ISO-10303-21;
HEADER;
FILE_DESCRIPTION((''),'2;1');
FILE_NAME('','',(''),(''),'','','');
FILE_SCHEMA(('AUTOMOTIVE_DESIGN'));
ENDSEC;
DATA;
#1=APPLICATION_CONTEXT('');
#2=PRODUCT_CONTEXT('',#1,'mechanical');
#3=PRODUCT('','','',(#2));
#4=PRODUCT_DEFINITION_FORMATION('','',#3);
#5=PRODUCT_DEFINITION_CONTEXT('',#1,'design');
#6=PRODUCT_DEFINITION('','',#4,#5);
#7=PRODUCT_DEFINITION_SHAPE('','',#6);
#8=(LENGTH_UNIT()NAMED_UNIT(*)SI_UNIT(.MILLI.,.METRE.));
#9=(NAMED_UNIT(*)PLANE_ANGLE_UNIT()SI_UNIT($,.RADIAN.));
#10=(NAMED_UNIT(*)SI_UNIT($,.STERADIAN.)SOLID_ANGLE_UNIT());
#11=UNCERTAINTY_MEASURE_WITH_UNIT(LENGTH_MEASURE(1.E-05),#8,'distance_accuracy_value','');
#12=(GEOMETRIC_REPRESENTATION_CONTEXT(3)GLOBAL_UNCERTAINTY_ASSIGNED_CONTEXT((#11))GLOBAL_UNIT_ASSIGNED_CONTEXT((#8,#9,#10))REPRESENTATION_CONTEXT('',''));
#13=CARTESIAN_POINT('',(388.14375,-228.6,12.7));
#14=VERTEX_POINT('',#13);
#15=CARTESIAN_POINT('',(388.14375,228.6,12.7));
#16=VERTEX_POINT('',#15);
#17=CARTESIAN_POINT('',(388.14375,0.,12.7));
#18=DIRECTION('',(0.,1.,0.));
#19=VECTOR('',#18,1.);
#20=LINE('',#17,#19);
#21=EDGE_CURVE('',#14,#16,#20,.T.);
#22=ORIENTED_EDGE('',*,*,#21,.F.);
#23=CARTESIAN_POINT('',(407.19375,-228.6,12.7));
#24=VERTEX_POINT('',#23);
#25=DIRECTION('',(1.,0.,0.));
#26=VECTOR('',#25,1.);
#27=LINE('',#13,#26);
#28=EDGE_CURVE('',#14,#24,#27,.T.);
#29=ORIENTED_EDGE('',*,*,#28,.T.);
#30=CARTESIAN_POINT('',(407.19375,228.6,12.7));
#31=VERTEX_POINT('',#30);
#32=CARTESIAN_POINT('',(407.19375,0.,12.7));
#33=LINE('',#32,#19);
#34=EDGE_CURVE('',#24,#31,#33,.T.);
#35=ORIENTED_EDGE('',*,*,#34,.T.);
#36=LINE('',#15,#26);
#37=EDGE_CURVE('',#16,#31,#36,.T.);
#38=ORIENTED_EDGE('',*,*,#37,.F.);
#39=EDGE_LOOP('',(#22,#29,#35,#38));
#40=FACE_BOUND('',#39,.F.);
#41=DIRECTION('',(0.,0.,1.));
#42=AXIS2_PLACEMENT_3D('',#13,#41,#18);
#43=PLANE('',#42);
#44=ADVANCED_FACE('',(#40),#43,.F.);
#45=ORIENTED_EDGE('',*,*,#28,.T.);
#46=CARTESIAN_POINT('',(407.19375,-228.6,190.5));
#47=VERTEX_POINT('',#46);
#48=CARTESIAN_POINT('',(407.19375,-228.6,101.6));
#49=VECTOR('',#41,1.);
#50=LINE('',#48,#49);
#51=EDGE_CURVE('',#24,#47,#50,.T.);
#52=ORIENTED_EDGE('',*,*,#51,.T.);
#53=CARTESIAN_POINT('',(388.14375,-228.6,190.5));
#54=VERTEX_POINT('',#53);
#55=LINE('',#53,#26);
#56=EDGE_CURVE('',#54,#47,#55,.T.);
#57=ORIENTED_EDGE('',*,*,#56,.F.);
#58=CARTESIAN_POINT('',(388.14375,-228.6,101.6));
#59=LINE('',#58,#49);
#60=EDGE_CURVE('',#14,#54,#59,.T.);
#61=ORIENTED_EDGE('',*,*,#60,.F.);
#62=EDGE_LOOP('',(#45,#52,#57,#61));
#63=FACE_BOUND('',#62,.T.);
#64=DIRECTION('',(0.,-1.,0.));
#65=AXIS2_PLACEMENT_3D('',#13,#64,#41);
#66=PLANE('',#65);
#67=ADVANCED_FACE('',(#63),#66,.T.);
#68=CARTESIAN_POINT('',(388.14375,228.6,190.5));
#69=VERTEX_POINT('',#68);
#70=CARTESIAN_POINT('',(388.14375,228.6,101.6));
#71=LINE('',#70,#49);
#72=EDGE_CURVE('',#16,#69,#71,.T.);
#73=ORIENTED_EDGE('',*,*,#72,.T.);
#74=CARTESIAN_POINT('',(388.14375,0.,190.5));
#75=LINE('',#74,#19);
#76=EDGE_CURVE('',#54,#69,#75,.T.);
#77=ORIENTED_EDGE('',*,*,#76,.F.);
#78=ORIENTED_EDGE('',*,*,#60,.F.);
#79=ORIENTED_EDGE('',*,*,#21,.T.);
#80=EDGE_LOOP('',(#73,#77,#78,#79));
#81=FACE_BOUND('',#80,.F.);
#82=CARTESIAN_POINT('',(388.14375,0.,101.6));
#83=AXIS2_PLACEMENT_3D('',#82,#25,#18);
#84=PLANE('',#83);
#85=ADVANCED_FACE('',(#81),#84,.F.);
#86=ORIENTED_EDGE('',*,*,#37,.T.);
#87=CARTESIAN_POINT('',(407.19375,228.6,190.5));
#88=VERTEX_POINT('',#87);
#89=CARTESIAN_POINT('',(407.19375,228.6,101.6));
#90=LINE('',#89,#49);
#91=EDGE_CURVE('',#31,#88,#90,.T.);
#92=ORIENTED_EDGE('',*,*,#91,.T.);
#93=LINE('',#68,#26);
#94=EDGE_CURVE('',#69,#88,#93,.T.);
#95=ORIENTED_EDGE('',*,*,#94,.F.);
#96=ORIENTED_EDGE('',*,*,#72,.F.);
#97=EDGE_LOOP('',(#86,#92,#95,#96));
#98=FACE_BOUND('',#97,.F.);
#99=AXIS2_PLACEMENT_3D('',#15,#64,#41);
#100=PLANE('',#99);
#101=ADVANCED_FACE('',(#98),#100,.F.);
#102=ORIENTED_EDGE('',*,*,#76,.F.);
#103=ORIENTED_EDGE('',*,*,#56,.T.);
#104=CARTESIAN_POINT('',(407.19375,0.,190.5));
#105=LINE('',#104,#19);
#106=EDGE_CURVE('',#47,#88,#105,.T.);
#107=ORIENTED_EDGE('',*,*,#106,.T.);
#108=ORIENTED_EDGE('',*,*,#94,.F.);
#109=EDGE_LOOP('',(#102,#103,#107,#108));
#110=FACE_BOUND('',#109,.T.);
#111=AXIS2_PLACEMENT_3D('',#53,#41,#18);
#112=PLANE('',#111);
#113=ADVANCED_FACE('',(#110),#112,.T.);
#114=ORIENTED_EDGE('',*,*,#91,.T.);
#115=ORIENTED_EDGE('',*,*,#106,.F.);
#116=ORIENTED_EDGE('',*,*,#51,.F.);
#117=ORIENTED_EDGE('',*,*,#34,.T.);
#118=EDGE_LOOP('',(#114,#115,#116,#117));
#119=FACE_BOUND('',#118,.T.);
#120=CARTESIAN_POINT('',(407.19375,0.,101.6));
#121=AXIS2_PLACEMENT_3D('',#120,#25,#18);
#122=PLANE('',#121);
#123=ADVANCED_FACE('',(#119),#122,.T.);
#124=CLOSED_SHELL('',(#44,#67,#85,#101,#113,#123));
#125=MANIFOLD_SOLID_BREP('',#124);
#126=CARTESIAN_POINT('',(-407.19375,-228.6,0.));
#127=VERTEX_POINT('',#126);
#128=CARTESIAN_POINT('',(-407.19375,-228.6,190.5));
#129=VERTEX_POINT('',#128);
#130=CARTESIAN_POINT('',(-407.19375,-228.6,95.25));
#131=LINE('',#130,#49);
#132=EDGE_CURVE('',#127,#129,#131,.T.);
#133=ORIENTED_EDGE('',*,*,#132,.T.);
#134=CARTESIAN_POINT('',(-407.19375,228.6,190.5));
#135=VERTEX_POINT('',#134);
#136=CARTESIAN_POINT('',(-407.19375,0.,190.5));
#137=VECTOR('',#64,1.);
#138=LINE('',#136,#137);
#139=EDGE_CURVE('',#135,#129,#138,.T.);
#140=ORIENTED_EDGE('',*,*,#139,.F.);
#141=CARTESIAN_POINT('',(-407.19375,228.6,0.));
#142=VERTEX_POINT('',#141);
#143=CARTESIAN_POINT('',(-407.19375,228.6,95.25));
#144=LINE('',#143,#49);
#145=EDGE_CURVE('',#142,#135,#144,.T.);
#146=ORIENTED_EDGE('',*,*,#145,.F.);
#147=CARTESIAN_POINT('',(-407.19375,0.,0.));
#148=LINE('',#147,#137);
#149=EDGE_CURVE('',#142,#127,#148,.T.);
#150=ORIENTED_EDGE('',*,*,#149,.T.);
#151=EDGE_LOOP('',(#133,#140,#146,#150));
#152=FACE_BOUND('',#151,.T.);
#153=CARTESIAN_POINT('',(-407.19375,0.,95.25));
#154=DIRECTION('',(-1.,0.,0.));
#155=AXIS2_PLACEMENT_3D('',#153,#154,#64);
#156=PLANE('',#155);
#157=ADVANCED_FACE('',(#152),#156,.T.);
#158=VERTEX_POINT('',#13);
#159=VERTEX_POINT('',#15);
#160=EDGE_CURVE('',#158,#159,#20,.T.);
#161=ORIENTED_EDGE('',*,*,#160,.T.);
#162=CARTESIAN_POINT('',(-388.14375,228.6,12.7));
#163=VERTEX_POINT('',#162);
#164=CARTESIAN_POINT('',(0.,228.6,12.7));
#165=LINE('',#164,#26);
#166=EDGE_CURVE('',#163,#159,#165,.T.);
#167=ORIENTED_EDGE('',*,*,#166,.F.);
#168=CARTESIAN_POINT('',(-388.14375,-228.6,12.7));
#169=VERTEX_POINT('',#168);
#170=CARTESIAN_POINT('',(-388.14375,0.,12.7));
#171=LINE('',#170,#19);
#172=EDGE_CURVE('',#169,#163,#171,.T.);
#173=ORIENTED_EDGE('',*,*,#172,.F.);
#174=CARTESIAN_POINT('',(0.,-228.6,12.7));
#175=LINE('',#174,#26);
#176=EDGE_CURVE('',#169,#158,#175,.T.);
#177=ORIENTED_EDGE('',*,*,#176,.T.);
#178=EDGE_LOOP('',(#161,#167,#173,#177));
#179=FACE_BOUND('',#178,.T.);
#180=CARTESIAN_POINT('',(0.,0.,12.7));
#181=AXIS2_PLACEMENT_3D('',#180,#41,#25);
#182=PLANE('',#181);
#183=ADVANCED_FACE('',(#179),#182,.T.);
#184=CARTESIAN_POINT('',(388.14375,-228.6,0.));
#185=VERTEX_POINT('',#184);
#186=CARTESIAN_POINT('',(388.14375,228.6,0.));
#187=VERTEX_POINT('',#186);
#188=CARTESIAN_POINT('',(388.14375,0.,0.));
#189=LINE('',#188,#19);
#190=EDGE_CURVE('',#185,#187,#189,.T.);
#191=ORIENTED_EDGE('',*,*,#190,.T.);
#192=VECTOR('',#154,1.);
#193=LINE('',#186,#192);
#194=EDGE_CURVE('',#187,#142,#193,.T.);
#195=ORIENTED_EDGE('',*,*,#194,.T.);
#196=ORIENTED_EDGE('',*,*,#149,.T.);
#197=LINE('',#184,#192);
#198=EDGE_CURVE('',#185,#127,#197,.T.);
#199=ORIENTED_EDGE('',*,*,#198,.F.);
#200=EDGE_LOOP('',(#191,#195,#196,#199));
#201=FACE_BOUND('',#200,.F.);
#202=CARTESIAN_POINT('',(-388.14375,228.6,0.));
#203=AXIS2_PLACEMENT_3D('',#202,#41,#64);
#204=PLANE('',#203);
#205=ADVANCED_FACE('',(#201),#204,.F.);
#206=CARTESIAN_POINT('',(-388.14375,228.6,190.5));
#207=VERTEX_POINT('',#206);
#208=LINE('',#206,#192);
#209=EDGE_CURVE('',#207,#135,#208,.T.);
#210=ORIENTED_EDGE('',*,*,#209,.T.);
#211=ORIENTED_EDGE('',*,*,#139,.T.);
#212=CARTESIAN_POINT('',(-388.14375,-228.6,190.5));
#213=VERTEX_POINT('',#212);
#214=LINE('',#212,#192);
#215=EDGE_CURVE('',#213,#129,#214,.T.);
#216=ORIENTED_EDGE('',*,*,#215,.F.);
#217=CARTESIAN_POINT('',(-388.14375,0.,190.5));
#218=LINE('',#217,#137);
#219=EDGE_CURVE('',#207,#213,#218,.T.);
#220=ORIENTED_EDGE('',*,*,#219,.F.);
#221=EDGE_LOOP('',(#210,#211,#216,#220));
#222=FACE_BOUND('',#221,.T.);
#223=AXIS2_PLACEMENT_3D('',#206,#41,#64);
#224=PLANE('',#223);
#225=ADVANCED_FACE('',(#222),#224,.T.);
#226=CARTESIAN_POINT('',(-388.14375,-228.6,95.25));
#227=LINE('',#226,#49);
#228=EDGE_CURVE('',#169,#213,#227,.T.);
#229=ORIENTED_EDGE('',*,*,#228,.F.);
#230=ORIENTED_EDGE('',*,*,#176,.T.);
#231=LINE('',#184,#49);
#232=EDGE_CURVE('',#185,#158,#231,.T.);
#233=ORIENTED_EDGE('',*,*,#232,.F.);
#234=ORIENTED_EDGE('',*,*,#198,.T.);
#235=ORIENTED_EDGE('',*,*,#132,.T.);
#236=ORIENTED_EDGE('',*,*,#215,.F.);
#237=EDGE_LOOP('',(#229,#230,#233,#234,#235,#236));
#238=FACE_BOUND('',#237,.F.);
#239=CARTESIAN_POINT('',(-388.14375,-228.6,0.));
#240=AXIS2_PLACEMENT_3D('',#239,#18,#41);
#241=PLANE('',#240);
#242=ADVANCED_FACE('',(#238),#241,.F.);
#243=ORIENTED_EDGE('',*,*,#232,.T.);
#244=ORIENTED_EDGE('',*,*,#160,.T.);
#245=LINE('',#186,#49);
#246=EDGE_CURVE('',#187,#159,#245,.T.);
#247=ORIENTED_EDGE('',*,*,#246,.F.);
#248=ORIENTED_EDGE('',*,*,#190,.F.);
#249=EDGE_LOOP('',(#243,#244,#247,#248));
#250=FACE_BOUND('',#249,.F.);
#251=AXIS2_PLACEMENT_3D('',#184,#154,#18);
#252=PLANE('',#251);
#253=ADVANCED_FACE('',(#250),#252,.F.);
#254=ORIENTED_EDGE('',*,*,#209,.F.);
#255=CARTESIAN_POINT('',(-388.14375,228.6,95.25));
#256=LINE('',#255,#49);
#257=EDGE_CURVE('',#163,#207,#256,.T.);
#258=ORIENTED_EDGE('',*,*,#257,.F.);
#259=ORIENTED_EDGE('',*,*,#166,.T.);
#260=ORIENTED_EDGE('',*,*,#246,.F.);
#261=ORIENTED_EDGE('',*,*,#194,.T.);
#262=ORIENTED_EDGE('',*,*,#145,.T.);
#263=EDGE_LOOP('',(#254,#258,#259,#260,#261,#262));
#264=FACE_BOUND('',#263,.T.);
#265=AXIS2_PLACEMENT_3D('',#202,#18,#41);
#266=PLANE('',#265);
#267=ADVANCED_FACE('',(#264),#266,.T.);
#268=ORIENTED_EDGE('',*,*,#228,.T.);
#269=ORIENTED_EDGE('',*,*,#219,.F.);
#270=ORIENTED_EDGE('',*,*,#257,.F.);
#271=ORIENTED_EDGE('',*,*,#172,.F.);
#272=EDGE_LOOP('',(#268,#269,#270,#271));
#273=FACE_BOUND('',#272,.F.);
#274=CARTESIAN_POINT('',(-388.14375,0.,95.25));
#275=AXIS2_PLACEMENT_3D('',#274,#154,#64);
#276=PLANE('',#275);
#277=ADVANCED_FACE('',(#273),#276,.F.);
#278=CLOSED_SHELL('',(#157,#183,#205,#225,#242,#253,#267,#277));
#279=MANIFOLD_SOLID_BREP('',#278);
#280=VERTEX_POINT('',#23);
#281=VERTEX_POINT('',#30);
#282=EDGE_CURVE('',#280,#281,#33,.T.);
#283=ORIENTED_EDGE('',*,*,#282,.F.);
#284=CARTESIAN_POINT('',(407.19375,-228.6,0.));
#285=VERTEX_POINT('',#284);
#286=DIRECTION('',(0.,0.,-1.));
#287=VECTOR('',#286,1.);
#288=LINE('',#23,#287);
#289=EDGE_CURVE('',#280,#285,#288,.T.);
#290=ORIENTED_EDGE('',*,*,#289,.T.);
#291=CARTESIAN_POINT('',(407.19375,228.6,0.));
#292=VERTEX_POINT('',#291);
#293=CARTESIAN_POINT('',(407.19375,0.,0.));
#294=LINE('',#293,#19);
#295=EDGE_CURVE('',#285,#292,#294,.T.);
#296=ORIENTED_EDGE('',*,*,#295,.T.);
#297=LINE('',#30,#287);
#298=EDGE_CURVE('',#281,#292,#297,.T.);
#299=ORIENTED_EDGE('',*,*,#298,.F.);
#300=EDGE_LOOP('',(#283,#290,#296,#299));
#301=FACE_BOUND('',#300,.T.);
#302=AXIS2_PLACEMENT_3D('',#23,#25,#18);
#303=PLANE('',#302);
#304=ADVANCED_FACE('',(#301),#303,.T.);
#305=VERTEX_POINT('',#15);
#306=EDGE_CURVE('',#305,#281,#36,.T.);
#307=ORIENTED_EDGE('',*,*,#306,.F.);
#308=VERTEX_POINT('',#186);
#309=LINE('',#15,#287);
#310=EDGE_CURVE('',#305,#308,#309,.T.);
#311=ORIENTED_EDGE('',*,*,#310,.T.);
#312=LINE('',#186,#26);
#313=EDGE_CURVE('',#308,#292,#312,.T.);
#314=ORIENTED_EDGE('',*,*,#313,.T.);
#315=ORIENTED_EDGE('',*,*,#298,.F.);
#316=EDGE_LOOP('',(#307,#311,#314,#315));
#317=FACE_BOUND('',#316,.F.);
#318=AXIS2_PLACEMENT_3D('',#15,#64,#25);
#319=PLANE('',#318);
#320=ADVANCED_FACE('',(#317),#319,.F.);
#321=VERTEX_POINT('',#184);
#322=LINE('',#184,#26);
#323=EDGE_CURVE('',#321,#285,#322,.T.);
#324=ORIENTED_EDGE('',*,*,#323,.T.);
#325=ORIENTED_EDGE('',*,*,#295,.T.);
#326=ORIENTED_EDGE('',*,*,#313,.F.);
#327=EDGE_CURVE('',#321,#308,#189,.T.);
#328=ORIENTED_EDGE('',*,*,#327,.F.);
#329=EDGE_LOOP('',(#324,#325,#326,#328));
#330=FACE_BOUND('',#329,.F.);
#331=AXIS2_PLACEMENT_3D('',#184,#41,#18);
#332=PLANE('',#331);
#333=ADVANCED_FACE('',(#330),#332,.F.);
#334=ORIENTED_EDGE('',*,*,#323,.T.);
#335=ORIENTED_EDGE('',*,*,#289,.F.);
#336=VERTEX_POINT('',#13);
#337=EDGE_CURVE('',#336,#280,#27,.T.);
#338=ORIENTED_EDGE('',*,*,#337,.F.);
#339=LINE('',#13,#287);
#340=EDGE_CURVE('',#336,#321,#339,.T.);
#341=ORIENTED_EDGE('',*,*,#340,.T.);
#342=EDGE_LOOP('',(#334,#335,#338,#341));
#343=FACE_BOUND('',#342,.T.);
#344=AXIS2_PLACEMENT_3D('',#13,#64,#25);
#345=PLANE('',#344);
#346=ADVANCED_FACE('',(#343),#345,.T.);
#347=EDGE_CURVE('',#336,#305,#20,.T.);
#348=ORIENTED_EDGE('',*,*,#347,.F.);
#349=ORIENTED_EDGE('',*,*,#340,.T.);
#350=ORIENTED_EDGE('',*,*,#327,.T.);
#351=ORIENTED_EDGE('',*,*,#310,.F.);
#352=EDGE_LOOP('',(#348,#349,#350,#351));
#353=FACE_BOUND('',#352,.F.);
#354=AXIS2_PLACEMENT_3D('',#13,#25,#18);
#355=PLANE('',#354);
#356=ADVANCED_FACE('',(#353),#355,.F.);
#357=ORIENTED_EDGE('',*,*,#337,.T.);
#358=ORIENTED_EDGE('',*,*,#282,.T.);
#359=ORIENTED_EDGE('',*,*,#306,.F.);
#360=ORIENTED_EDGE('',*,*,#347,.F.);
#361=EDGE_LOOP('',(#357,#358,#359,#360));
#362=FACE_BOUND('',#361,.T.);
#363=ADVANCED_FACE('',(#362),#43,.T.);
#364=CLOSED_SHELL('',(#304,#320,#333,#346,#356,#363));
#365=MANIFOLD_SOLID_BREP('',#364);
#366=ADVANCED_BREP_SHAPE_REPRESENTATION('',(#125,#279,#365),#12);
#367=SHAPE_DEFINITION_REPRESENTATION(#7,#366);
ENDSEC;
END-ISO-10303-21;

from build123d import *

# Parameters (mm, degrees)
F0_W     = 776.2875
F0_H     = 457.2
F1_DEPTH = 12.7
F2_W     = 457.2
F2_H     = 177.8
F3_DEPTH = 19.05
F4_DEPTH = 12.7
F5_W     = 457.2
F5_H     = 190.5
F6_DEPTH = 19.05


with BuildPart() as f1:
    # F0 (on Top) → F1 (new body)
    with BuildSketch(Plane.XY):
        Rectangle(F0_W, F0_H)
    extrude(amount=F1_DEPTH)

    # F5 (on face) → F6 (join)
    with BuildSketch(Plane(origin=(-388.14375, 0, 0), x_dir=(0, -1, 0), z_dir=(-1, 0, 0))):
        with Locations((0, 95.25)):
            Rectangle(F5_W, F5_H)
    extrude(amount=F6_DEPTH)


with BuildPart() as f3:
    # F2 (on face) → F3 (new body)
    with BuildSketch(Plane.YZ.offset(388.14375)):
        with Locations((0, 101.6)):
            Rectangle(F2_W, F2_H)
    extrude(amount=F3_DEPTH)


with BuildPart() as f4:
    # F4 (new): a face of the model
    f4_faces = [f3.part.faces().sort_by_distance(p)[0] for p in [
        (397.66875, 0, 12.7),
    ]]
    extrude(f4_faces, amount=F4_DEPTH)


solid = Compound([f1.part, f3.part, f4.part])
